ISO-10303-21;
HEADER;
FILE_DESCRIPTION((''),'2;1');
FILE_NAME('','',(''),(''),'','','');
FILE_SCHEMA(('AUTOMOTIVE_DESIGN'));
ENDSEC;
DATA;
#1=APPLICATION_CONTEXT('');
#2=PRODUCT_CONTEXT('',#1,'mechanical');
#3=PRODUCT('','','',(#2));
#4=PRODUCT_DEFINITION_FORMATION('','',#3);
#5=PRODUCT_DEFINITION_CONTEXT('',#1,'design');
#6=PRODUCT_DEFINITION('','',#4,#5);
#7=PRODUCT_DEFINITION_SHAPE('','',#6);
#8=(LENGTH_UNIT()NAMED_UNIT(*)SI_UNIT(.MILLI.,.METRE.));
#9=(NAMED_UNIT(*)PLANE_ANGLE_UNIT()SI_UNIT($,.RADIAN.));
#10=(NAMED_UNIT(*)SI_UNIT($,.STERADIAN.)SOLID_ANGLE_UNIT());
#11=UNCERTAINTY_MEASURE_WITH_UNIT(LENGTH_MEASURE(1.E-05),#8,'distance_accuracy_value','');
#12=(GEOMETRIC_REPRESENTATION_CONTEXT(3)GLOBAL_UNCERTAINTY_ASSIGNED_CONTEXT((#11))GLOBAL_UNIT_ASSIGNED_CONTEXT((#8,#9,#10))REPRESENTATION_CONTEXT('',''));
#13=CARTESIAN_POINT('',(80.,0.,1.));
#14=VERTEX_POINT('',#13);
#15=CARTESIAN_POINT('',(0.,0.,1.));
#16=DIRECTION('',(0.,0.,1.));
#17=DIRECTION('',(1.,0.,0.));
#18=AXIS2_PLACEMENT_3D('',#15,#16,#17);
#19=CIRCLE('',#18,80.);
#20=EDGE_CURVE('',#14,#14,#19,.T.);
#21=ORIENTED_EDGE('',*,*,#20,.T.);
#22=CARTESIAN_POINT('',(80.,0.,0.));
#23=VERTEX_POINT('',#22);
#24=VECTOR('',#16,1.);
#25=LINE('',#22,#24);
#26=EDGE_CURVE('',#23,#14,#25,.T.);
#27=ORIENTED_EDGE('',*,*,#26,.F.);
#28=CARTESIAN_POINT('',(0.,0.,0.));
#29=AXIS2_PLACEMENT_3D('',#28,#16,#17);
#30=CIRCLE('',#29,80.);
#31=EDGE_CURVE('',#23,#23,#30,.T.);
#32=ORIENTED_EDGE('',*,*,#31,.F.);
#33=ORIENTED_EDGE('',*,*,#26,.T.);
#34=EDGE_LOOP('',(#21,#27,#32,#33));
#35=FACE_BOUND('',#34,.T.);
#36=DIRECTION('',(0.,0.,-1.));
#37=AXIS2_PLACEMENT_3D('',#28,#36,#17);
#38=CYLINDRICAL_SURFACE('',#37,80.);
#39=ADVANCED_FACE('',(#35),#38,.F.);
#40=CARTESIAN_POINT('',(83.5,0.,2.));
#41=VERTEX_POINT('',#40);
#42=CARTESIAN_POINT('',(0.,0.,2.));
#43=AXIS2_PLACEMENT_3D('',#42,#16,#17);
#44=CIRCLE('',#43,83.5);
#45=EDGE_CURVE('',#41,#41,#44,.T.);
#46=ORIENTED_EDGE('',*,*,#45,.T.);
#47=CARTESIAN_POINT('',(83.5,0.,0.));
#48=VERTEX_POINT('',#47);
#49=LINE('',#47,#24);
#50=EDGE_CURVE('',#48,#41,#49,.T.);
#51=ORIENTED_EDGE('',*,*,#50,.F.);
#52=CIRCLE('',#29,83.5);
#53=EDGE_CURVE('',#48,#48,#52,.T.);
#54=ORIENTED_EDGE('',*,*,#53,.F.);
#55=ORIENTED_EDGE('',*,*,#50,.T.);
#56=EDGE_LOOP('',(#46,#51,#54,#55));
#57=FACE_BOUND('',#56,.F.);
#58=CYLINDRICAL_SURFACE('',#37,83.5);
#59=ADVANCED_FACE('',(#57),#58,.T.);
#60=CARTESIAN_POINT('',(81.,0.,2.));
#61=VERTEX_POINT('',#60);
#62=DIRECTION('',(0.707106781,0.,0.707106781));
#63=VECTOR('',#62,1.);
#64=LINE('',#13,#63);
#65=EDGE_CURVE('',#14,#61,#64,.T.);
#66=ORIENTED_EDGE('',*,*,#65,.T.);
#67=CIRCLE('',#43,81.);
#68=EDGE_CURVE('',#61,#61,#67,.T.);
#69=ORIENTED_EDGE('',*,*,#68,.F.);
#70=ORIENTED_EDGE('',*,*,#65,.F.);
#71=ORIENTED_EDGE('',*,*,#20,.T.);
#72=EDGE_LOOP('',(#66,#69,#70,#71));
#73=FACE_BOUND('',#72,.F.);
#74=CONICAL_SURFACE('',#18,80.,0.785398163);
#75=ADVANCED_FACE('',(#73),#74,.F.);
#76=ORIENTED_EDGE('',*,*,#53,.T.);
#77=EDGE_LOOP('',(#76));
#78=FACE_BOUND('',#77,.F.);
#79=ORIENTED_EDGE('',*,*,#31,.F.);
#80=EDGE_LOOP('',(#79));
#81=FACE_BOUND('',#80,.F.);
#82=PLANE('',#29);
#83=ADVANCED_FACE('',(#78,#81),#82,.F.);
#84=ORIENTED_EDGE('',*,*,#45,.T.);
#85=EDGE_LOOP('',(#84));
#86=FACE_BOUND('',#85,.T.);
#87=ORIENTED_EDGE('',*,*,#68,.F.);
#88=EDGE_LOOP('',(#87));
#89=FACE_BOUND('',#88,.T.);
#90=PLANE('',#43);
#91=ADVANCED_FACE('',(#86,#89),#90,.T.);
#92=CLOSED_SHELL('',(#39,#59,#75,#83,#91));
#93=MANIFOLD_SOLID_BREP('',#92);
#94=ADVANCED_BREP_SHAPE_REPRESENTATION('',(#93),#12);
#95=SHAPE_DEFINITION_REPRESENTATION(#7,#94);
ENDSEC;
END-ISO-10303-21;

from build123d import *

# Parameters (mm, degrees)
SKETCH_R     = 83.5
SKETCH_R_2   = 80
PAD_DEPTH    = 2
CHAMFER_SIZE = 1


with BuildPart() as part:
    # Sketch → Pad (new body)
    with BuildSketch(Plane.XY):
        Circle(SKETCH_R)
        Circle(SKETCH_R_2, mode=Mode.SUBTRACT)
    extrude(amount=PAD_DEPTH)

    # Chamfer
    chamfer_edges = [part.edges().sort_by_distance(p)[0] for p in [
        (-80, 0, 2),
    ]]
    chamfer(chamfer_edges, length=CHAMFER_SIZE)


solid = part.part
